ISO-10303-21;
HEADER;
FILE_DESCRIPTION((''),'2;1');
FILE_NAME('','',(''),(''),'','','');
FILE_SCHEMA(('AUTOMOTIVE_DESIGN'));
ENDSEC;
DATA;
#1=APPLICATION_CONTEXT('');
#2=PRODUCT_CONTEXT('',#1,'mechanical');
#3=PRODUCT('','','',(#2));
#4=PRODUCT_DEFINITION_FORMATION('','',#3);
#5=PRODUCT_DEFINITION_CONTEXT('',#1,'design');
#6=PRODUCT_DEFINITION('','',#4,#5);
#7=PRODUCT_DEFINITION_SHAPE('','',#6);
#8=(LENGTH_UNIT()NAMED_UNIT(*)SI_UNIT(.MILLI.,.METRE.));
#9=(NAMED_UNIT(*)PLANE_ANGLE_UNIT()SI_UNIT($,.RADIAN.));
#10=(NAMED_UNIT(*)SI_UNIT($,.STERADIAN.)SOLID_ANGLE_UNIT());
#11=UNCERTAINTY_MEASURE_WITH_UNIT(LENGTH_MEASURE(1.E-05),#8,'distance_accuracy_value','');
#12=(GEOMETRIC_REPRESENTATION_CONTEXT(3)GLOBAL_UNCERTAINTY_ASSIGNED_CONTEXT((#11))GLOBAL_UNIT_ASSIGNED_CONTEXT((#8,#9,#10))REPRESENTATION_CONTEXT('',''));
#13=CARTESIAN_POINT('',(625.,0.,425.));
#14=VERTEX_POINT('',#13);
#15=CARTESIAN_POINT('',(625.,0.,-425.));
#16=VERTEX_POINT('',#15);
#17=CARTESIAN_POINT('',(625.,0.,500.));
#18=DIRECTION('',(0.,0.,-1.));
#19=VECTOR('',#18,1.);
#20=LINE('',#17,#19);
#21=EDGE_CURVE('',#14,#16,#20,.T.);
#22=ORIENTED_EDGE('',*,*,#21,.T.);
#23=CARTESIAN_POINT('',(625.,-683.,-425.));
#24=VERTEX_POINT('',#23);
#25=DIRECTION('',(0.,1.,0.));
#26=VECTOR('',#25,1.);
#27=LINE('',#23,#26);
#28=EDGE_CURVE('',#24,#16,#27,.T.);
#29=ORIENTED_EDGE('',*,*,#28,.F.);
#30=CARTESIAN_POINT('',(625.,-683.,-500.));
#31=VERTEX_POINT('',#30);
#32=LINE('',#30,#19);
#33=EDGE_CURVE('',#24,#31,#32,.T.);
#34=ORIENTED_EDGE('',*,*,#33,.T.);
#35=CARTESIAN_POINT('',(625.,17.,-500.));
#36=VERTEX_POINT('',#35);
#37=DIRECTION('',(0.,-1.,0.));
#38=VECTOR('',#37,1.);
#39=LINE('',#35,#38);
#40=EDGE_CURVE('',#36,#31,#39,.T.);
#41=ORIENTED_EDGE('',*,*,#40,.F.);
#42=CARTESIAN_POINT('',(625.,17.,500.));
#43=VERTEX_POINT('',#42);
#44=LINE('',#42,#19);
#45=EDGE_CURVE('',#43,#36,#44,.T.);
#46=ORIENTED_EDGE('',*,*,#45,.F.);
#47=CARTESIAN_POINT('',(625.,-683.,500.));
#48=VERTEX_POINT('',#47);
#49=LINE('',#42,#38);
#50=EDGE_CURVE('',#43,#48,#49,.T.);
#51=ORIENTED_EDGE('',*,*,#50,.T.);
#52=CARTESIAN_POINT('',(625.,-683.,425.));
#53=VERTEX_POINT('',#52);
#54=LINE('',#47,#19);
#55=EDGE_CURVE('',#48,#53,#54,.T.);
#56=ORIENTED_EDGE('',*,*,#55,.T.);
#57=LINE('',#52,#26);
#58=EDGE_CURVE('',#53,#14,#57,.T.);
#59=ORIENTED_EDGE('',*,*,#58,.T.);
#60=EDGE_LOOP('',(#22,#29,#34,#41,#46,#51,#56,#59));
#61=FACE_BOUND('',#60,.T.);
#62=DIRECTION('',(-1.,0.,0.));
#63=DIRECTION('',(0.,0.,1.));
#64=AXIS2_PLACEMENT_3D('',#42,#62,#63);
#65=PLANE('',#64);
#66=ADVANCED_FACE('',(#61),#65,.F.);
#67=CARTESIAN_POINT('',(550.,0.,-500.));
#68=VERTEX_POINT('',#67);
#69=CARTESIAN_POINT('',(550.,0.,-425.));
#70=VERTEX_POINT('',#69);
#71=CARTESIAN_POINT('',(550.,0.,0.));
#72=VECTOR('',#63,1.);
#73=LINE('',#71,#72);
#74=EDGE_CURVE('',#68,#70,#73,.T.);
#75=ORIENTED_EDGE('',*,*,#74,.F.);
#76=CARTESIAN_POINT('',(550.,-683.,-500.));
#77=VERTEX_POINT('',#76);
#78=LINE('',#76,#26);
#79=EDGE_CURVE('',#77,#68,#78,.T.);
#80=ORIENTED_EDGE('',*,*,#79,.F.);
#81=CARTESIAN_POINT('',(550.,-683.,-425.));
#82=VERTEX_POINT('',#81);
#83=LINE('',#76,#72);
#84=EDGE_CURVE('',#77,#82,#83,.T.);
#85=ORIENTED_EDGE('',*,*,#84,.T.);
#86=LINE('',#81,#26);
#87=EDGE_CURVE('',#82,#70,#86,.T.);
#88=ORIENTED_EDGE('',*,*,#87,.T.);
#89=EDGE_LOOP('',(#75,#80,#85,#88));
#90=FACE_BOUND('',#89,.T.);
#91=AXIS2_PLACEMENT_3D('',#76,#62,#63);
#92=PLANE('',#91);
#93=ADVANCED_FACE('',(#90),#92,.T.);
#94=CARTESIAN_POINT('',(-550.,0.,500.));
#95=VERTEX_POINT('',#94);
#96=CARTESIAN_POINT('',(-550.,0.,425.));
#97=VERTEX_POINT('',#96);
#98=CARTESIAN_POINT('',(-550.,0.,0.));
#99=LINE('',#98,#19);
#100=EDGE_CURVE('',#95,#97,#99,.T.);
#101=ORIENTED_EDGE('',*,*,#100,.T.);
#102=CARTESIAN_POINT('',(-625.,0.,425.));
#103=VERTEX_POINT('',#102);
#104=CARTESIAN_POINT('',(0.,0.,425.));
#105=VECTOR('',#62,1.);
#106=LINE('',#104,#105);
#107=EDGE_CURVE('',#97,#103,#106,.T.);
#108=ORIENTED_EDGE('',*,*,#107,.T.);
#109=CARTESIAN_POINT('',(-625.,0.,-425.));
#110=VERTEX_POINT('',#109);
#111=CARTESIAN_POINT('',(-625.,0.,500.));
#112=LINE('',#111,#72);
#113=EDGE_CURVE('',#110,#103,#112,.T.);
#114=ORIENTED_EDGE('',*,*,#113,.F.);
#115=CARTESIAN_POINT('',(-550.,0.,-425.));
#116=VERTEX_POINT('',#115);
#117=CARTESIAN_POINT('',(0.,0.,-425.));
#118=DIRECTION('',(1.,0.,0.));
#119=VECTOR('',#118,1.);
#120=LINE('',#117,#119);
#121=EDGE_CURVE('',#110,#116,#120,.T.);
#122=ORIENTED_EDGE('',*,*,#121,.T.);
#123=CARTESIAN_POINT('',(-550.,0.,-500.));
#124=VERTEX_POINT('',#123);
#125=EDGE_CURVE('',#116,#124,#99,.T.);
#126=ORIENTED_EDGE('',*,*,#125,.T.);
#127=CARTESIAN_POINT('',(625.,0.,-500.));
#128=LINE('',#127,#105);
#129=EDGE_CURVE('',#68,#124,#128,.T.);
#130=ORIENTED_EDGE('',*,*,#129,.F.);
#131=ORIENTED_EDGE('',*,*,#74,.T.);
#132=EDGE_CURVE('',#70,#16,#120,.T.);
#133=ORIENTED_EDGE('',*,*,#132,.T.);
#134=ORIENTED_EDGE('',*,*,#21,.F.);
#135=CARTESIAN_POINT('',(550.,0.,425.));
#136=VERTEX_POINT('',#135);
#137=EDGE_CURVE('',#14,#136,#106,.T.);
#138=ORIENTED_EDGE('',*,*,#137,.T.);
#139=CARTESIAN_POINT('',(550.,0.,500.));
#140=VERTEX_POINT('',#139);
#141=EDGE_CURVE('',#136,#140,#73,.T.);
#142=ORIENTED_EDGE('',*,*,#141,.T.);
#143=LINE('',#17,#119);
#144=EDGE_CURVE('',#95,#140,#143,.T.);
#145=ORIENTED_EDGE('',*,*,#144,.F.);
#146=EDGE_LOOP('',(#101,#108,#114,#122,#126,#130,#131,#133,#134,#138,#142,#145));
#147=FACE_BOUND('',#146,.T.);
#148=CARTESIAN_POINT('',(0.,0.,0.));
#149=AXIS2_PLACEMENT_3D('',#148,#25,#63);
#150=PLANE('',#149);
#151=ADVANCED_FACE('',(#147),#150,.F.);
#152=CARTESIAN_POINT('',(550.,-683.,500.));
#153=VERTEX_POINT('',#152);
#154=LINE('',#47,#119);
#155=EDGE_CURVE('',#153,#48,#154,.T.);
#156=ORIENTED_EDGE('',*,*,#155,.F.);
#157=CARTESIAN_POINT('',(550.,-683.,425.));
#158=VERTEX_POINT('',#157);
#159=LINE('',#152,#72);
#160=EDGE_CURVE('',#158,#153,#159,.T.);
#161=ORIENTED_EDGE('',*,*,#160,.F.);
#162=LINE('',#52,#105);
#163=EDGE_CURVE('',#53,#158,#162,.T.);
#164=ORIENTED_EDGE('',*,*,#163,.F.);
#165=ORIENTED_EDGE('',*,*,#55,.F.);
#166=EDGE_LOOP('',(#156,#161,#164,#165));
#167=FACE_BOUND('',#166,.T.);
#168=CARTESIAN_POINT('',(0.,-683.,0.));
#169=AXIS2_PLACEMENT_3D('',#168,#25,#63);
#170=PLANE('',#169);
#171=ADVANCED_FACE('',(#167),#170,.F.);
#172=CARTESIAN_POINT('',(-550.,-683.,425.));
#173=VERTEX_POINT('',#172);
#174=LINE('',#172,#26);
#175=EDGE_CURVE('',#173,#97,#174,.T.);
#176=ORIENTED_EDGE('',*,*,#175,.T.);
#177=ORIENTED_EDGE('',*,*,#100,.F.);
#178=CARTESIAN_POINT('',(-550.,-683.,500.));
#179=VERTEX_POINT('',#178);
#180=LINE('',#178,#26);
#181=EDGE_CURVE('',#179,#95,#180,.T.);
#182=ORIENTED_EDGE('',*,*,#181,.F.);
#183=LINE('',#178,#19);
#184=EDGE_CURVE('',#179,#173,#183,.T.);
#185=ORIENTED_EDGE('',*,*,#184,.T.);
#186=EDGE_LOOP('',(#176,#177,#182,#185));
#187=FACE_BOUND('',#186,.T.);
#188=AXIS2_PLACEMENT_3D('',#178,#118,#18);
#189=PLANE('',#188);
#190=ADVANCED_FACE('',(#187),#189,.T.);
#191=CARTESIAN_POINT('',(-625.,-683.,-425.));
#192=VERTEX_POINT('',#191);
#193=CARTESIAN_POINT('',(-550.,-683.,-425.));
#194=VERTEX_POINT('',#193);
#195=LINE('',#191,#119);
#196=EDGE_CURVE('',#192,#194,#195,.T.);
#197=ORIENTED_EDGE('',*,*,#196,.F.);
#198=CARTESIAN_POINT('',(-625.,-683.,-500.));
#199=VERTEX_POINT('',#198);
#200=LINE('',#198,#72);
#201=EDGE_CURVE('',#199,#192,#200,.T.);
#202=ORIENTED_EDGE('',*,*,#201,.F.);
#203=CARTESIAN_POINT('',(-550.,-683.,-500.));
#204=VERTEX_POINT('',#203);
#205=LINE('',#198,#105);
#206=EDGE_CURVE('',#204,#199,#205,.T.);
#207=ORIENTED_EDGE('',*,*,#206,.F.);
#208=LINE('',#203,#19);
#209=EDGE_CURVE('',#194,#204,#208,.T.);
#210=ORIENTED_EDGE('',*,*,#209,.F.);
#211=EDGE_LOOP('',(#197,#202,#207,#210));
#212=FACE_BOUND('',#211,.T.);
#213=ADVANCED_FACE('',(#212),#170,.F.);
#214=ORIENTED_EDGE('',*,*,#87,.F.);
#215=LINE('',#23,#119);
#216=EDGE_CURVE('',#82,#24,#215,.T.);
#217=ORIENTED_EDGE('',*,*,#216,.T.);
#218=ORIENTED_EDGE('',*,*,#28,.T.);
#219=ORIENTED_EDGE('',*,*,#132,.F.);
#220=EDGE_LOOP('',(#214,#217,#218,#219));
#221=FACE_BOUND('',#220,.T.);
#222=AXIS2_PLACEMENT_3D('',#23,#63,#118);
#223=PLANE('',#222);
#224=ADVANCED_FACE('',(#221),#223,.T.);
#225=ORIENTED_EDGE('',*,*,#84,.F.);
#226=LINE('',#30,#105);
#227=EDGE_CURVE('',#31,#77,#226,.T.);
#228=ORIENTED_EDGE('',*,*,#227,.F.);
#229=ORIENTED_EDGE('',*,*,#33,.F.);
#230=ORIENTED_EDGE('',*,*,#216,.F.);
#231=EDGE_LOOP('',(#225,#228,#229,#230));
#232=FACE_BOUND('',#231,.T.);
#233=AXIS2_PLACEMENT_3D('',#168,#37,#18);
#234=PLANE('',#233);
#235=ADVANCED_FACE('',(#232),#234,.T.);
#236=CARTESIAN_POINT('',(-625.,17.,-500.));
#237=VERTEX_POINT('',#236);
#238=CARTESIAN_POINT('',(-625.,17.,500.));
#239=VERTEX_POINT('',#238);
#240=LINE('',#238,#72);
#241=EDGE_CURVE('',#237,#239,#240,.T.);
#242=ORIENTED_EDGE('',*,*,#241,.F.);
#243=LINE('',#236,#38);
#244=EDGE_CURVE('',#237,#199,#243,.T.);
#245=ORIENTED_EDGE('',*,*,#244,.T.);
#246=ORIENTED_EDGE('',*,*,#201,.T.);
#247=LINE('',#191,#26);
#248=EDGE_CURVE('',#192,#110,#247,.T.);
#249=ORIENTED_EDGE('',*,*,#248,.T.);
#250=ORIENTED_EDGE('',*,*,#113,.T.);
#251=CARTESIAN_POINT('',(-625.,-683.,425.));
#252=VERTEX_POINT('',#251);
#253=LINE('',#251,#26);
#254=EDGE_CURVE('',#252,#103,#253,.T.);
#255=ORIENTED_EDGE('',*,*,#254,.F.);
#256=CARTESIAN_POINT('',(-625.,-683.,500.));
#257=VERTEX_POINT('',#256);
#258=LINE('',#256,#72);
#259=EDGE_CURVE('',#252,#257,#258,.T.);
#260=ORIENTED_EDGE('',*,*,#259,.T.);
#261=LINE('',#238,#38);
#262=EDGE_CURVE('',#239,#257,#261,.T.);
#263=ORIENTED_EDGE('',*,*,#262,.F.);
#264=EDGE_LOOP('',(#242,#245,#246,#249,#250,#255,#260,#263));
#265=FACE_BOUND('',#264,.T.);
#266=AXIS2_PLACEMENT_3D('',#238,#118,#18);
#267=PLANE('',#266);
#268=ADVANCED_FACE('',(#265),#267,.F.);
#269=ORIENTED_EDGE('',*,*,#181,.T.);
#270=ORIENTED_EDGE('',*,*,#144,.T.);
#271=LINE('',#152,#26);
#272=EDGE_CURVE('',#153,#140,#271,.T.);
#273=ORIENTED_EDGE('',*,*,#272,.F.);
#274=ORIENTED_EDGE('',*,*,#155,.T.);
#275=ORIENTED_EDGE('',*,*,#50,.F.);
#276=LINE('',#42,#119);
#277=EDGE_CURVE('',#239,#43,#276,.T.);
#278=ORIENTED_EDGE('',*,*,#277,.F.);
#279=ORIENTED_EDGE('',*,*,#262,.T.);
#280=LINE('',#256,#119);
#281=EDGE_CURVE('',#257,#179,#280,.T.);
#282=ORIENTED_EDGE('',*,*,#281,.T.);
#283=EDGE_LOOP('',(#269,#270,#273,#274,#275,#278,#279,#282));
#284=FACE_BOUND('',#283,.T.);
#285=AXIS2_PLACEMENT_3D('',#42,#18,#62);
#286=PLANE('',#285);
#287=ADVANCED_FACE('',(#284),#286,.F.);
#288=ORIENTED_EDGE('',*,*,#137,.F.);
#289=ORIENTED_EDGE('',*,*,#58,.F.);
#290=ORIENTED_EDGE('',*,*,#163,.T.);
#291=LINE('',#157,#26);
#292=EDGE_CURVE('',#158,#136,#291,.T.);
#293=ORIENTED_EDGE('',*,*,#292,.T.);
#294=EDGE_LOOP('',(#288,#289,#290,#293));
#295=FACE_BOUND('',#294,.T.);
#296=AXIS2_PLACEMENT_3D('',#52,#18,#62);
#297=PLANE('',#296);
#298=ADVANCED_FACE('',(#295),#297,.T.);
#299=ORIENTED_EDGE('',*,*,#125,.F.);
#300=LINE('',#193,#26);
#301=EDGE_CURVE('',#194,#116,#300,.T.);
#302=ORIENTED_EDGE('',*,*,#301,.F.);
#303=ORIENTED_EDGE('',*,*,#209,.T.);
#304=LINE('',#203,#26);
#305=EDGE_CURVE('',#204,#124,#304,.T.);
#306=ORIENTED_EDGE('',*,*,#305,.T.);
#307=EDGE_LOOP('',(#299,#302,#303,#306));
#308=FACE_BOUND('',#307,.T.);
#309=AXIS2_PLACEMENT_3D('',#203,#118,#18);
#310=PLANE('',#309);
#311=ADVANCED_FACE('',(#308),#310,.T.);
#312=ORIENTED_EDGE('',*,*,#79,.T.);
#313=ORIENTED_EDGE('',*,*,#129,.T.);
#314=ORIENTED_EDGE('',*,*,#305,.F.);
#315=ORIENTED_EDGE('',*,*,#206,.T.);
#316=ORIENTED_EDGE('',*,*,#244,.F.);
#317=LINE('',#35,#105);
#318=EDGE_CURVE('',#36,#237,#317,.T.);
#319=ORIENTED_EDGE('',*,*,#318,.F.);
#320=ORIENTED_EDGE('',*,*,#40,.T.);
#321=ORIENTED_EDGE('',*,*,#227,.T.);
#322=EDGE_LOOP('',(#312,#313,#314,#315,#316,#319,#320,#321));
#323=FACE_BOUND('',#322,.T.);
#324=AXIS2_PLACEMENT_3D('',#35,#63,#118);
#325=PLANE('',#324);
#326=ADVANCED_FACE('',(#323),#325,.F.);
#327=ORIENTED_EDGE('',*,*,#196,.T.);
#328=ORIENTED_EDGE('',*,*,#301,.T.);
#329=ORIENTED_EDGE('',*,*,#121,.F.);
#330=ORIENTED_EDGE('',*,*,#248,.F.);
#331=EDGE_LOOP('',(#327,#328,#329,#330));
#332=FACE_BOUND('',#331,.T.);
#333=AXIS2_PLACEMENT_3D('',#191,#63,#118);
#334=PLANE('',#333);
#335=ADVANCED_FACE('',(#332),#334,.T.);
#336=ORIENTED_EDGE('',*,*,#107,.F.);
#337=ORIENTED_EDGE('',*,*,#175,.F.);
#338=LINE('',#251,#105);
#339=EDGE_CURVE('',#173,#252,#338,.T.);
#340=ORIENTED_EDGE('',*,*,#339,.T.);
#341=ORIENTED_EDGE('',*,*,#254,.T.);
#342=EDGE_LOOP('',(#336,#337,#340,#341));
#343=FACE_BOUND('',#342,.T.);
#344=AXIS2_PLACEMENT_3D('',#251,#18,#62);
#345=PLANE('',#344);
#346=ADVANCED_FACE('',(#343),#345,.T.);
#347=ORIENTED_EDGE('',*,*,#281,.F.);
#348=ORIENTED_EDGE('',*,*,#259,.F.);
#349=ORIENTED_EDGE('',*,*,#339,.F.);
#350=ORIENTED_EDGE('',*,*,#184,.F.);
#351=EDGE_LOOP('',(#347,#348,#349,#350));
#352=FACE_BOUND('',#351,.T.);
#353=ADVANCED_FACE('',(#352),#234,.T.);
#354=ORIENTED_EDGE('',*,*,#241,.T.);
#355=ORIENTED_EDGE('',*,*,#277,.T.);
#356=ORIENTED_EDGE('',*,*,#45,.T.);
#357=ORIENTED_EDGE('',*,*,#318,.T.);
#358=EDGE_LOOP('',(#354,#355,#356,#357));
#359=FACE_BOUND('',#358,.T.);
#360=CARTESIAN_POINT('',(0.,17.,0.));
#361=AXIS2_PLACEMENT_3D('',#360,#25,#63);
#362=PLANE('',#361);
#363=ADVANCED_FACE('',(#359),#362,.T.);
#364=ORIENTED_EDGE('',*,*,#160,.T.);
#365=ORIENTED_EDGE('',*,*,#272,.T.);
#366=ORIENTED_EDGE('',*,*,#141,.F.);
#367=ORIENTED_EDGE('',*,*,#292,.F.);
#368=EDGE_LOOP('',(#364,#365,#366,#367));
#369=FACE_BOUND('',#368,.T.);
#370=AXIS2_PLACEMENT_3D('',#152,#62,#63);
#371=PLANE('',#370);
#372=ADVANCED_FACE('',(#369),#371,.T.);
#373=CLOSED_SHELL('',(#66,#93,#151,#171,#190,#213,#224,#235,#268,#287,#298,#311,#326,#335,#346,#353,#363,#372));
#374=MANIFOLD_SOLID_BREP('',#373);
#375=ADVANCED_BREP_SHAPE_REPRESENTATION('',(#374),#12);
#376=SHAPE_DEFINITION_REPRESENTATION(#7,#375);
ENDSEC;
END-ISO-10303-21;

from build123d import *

# Parameters (mm, degrees)
CROQUIS1_W              = 1250
CROQUIS1_H              = 1000
SALIENTE_EXTRUIR1_DEPTH = 17
CROQUIS2_W              = 75
CROQUIS2_H              = 75
SALIENTE_EXTRUIR2_DEPTH = 700


with BuildPart() as part:
    # Croquis1 → Saliente-Extruir1 (new body)
    with BuildSketch(Plane(origin=(0, 0, 0), x_dir=(1, 0, 0), z_dir=(0, 1, 0))):
        Rectangle(CROQUIS1_W, CROQUIS1_H)
    extrude(amount=SALIENTE_EXTRUIR1_DEPTH)

    # Croquis2 → Saliente-Extruir2 (add)
    with BuildSketch(Plane(origin=(0, 17, 0), x_dir=(1, 0, 0), z_dir=(0, 1, 0))):
        with Locations((-587.5, -462.5)):
            Rectangle(CROQUIS2_W, CROQUIS2_H)
        with Locations((-587.5, 462.5)):
            Rectangle(CROQUIS2_W, CROQUIS2_H)
        with Locations((587.5, -462.5)):
            Rectangle(CROQUIS2_W, CROQUIS2_H)
        with Locations((587.5, 462.5)):
            Rectangle(CROQUIS2_W, CROQUIS2_H)
    extrude(amount=-SALIENTE_EXTRUIR2_DEPTH)


solid = part.part
